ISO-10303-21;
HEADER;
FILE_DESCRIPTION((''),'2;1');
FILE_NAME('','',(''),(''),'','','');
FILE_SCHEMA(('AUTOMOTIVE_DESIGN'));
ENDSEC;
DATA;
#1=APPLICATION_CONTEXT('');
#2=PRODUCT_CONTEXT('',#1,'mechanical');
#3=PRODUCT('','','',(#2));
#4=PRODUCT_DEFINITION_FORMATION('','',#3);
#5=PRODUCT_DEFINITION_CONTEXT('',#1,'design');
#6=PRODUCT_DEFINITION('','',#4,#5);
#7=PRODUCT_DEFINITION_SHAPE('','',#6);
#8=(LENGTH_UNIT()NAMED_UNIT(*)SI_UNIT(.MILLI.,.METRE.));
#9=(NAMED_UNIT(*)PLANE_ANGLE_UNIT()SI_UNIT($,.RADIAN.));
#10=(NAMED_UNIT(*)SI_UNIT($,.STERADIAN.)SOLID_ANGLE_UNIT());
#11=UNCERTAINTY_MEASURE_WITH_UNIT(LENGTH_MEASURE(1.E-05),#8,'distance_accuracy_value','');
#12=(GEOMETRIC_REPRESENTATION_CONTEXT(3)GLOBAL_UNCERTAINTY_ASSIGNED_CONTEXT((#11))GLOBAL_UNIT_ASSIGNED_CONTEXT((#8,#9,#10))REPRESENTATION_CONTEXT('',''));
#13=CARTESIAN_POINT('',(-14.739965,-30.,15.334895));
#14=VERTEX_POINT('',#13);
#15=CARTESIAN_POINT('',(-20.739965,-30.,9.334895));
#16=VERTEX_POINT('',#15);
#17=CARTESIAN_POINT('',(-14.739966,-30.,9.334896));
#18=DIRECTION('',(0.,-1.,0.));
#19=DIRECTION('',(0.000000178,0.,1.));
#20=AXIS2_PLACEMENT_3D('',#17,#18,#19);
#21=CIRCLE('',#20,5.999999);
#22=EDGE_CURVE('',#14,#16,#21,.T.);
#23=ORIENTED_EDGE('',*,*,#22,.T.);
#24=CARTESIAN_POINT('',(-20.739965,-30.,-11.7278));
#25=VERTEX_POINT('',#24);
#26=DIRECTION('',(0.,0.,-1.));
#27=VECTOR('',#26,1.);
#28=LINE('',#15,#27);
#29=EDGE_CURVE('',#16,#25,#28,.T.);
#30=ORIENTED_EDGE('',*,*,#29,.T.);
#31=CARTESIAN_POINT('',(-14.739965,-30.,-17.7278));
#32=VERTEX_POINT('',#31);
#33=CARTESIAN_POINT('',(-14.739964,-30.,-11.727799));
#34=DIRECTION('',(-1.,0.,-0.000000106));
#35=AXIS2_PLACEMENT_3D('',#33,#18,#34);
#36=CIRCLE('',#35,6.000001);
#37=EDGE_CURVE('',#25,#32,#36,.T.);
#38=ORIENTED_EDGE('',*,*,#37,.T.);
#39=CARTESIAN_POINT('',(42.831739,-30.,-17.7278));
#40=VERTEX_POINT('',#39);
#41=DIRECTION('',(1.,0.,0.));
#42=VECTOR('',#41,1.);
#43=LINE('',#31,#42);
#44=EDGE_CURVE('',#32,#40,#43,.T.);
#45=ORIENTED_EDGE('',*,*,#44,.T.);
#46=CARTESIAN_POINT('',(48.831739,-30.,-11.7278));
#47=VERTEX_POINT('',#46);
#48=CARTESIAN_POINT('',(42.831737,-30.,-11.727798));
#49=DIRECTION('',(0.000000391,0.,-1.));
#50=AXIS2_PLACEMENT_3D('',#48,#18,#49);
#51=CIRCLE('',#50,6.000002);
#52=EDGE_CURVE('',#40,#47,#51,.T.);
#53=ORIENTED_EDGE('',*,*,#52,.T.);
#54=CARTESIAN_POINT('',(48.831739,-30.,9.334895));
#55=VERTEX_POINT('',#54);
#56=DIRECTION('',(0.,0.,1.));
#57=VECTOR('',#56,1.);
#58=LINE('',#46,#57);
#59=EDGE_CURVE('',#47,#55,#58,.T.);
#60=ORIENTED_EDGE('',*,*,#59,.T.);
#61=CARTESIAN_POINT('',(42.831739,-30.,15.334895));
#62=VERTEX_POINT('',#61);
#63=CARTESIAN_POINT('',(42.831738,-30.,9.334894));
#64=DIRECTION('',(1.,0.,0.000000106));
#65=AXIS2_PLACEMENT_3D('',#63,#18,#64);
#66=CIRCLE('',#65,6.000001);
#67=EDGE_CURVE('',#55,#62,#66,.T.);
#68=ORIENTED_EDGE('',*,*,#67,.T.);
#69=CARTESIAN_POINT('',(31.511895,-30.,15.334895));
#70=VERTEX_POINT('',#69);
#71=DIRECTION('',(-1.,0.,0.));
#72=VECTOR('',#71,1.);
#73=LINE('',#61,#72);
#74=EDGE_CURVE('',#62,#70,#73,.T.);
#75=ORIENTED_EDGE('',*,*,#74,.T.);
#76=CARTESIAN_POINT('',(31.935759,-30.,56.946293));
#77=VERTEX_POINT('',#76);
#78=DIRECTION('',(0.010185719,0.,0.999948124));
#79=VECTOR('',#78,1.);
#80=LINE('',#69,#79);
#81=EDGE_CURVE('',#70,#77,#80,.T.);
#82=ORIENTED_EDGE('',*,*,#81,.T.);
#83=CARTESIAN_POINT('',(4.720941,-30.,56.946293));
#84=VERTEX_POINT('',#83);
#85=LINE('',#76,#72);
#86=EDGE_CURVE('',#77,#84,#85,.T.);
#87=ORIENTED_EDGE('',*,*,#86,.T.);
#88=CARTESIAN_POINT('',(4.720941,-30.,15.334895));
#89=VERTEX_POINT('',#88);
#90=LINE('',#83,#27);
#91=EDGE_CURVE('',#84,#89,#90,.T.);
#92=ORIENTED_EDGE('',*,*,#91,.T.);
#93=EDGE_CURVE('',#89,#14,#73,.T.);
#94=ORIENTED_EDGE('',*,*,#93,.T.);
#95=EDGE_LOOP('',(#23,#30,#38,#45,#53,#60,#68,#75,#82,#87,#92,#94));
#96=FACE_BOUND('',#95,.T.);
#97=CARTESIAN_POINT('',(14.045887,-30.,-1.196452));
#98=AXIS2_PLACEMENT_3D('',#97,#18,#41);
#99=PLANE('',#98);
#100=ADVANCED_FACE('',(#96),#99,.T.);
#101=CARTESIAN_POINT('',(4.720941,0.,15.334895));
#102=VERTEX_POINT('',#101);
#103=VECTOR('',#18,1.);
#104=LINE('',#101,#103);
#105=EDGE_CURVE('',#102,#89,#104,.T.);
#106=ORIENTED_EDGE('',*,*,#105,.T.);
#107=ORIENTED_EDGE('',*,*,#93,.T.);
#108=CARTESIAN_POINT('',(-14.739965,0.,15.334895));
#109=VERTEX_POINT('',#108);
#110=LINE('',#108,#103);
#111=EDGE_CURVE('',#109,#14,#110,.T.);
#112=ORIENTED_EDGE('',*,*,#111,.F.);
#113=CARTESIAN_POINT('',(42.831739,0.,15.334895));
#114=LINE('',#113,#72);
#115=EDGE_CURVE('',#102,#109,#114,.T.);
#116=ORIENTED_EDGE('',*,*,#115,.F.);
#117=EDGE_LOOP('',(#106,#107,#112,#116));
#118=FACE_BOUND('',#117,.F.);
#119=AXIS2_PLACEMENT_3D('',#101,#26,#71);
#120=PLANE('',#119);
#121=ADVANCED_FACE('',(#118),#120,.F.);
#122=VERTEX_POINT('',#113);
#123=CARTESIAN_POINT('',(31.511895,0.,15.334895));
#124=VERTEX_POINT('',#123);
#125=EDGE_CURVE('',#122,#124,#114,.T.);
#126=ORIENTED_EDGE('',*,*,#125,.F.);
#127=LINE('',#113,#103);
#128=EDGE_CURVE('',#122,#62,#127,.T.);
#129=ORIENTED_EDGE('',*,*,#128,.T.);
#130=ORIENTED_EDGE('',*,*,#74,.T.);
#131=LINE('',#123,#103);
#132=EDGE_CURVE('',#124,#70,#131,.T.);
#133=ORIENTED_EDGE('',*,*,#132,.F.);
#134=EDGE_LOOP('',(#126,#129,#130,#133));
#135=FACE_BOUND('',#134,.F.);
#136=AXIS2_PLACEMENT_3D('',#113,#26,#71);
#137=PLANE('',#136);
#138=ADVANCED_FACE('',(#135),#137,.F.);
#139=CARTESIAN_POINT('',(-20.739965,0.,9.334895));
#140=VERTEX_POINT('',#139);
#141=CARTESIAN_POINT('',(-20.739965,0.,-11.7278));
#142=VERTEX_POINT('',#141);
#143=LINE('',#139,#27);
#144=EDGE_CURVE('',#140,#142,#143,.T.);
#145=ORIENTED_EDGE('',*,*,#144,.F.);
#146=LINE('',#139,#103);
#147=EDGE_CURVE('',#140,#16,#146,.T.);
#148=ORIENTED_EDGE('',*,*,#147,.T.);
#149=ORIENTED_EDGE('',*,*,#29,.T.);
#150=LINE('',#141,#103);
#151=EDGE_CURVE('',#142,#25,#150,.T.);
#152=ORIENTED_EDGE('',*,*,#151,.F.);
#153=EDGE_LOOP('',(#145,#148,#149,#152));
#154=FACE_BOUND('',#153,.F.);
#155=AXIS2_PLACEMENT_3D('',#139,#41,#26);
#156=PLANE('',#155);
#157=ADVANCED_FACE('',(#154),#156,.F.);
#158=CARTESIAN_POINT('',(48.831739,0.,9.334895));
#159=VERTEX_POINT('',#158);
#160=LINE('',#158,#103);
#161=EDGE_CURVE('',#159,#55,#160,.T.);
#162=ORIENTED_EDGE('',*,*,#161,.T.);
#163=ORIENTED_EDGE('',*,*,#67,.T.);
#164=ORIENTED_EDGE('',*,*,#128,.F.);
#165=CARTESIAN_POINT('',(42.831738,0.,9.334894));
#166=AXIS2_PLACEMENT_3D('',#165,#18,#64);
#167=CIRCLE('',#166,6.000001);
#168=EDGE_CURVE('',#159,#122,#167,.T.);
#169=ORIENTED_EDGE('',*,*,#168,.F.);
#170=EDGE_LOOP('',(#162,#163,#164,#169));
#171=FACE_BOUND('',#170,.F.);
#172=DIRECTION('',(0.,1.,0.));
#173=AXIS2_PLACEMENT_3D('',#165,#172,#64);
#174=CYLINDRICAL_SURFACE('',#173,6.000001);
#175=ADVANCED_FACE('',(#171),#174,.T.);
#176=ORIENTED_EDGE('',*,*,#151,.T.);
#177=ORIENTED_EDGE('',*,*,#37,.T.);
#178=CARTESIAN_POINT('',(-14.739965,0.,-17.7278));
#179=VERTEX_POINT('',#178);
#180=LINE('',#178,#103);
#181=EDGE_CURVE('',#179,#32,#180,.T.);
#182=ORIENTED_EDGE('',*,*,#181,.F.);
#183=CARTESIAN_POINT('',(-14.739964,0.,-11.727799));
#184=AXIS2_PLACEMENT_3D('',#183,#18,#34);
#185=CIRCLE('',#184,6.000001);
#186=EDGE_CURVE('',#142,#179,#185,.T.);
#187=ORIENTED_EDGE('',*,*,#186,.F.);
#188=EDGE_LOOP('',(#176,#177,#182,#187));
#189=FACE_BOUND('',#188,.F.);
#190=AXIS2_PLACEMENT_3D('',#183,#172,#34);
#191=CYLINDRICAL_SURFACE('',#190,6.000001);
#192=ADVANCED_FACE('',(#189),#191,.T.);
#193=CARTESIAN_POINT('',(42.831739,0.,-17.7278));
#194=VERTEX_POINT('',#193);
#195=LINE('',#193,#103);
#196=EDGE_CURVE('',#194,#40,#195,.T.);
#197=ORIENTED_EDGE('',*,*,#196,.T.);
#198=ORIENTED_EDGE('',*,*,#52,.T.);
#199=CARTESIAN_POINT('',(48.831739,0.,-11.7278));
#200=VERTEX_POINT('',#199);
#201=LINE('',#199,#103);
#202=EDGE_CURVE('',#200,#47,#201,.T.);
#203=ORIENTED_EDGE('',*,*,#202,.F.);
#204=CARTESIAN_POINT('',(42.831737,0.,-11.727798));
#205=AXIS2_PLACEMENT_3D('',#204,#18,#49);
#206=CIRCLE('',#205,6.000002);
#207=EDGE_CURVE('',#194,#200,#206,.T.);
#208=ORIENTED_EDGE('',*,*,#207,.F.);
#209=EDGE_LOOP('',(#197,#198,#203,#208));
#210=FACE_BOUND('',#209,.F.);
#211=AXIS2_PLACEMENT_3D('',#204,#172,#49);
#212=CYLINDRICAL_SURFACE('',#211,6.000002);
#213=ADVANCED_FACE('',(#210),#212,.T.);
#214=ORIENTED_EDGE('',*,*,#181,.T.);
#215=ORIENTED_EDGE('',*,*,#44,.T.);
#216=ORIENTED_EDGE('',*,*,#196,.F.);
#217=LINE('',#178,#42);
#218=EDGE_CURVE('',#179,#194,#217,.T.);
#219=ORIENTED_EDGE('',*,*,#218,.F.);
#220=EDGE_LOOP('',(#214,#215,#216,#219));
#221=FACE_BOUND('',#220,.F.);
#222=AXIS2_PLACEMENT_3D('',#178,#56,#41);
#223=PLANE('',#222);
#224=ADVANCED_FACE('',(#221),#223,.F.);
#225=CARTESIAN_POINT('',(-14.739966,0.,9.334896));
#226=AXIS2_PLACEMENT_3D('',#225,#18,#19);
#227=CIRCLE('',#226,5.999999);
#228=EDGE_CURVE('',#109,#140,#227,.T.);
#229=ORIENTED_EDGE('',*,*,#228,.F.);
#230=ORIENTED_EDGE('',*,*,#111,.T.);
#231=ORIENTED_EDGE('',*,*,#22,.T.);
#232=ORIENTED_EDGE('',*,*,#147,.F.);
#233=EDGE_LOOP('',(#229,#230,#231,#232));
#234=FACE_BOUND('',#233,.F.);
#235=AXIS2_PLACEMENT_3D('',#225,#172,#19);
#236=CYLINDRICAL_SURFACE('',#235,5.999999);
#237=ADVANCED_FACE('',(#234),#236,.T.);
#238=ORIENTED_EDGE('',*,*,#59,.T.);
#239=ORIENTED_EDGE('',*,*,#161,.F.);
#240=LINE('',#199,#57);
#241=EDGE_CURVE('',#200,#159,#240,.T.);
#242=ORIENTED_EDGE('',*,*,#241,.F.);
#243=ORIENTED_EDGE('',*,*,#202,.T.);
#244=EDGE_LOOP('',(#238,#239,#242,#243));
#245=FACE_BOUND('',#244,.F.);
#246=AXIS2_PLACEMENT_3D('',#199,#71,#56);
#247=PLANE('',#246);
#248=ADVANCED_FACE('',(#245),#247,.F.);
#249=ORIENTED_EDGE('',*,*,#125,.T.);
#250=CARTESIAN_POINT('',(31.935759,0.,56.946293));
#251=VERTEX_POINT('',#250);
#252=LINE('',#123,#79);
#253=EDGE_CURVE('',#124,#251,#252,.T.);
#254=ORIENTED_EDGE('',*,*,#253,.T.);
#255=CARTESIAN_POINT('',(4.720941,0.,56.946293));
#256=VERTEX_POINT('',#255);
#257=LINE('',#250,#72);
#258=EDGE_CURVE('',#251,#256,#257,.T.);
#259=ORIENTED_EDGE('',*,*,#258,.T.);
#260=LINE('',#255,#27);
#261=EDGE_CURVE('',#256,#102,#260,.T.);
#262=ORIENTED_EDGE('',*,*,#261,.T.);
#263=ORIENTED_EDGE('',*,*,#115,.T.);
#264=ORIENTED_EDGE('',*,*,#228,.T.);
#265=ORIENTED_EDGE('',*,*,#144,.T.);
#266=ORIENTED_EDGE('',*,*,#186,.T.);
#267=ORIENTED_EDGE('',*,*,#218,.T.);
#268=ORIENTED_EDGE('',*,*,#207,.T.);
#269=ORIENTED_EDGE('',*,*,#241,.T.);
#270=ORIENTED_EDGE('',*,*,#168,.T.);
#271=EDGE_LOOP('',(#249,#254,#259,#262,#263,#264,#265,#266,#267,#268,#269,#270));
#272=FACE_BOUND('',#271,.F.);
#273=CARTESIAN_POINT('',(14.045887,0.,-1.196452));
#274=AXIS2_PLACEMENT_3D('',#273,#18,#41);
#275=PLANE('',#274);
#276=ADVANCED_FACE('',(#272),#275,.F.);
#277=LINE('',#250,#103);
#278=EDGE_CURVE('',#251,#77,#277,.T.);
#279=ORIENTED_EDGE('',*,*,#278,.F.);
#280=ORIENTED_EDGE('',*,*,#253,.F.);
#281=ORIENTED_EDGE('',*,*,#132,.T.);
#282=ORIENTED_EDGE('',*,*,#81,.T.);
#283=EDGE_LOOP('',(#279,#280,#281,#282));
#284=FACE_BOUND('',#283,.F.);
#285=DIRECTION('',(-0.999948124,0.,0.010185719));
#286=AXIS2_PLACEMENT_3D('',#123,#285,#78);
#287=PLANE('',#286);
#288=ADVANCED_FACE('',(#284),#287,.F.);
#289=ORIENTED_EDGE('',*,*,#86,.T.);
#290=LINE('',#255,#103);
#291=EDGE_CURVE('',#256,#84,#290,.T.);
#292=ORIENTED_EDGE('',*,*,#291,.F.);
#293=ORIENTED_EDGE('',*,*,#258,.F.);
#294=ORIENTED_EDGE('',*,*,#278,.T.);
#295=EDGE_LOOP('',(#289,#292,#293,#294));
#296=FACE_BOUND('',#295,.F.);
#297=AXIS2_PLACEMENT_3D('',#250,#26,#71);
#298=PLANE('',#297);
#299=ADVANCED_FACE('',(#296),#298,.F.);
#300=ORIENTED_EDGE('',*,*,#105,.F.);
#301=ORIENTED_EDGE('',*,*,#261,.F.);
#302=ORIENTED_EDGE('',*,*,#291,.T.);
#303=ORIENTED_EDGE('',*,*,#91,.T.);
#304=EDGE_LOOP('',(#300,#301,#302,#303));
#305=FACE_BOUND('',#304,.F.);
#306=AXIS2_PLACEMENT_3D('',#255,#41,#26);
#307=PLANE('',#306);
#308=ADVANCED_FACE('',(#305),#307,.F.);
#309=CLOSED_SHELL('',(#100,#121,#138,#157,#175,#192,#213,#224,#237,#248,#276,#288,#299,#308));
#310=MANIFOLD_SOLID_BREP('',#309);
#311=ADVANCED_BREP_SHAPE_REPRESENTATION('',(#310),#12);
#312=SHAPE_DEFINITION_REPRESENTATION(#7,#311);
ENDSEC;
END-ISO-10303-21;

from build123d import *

# Parameters (mm, degrees)
F1_DEPTH = 30


with BuildPart() as f1:
    # F0 (on Front) → F1 (new body)
    with BuildSketch(Plane.XZ):
        with BuildLine():
            ThreePointArc((-20.739965, -11.7278), (-18.982606, -15.97044), (-14.739965, -17.7278))
            Line((-14.739965, -17.7278), (42.831739, -17.7278))
            ThreePointArc((42.831739, -17.7278), (47.074379, -15.97044), (48.831739, -11.7278))
            Line((48.831739, -11.7278), (48.831739, 9.334895))
            ThreePointArc((48.831739, 9.334895), (47.074379, 13.577536), (42.831739, 15.334895))
            Line((42.831739, 15.334895), (31.511895, 15.334895))
            Line((31.511895, 15.334895), (4.720941, 15.334895))
            Line((4.720941, 15.334895), (-14.739965, 15.334895))
            ThreePointArc((-14.739965, 15.334895), (-18.982606, 13.577536), (-20.739965, 9.334895))
            Line((-20.739965, 9.334895), (-20.739965, -11.7278))
        make_face()
        Polygon((4.720941, 56.946293), (4.720941, 15.334895), (31.511895, 15.334895), (31.935759, 56.946293), align=None)
    extrude(amount=F1_DEPTH)


solid = f1.part
